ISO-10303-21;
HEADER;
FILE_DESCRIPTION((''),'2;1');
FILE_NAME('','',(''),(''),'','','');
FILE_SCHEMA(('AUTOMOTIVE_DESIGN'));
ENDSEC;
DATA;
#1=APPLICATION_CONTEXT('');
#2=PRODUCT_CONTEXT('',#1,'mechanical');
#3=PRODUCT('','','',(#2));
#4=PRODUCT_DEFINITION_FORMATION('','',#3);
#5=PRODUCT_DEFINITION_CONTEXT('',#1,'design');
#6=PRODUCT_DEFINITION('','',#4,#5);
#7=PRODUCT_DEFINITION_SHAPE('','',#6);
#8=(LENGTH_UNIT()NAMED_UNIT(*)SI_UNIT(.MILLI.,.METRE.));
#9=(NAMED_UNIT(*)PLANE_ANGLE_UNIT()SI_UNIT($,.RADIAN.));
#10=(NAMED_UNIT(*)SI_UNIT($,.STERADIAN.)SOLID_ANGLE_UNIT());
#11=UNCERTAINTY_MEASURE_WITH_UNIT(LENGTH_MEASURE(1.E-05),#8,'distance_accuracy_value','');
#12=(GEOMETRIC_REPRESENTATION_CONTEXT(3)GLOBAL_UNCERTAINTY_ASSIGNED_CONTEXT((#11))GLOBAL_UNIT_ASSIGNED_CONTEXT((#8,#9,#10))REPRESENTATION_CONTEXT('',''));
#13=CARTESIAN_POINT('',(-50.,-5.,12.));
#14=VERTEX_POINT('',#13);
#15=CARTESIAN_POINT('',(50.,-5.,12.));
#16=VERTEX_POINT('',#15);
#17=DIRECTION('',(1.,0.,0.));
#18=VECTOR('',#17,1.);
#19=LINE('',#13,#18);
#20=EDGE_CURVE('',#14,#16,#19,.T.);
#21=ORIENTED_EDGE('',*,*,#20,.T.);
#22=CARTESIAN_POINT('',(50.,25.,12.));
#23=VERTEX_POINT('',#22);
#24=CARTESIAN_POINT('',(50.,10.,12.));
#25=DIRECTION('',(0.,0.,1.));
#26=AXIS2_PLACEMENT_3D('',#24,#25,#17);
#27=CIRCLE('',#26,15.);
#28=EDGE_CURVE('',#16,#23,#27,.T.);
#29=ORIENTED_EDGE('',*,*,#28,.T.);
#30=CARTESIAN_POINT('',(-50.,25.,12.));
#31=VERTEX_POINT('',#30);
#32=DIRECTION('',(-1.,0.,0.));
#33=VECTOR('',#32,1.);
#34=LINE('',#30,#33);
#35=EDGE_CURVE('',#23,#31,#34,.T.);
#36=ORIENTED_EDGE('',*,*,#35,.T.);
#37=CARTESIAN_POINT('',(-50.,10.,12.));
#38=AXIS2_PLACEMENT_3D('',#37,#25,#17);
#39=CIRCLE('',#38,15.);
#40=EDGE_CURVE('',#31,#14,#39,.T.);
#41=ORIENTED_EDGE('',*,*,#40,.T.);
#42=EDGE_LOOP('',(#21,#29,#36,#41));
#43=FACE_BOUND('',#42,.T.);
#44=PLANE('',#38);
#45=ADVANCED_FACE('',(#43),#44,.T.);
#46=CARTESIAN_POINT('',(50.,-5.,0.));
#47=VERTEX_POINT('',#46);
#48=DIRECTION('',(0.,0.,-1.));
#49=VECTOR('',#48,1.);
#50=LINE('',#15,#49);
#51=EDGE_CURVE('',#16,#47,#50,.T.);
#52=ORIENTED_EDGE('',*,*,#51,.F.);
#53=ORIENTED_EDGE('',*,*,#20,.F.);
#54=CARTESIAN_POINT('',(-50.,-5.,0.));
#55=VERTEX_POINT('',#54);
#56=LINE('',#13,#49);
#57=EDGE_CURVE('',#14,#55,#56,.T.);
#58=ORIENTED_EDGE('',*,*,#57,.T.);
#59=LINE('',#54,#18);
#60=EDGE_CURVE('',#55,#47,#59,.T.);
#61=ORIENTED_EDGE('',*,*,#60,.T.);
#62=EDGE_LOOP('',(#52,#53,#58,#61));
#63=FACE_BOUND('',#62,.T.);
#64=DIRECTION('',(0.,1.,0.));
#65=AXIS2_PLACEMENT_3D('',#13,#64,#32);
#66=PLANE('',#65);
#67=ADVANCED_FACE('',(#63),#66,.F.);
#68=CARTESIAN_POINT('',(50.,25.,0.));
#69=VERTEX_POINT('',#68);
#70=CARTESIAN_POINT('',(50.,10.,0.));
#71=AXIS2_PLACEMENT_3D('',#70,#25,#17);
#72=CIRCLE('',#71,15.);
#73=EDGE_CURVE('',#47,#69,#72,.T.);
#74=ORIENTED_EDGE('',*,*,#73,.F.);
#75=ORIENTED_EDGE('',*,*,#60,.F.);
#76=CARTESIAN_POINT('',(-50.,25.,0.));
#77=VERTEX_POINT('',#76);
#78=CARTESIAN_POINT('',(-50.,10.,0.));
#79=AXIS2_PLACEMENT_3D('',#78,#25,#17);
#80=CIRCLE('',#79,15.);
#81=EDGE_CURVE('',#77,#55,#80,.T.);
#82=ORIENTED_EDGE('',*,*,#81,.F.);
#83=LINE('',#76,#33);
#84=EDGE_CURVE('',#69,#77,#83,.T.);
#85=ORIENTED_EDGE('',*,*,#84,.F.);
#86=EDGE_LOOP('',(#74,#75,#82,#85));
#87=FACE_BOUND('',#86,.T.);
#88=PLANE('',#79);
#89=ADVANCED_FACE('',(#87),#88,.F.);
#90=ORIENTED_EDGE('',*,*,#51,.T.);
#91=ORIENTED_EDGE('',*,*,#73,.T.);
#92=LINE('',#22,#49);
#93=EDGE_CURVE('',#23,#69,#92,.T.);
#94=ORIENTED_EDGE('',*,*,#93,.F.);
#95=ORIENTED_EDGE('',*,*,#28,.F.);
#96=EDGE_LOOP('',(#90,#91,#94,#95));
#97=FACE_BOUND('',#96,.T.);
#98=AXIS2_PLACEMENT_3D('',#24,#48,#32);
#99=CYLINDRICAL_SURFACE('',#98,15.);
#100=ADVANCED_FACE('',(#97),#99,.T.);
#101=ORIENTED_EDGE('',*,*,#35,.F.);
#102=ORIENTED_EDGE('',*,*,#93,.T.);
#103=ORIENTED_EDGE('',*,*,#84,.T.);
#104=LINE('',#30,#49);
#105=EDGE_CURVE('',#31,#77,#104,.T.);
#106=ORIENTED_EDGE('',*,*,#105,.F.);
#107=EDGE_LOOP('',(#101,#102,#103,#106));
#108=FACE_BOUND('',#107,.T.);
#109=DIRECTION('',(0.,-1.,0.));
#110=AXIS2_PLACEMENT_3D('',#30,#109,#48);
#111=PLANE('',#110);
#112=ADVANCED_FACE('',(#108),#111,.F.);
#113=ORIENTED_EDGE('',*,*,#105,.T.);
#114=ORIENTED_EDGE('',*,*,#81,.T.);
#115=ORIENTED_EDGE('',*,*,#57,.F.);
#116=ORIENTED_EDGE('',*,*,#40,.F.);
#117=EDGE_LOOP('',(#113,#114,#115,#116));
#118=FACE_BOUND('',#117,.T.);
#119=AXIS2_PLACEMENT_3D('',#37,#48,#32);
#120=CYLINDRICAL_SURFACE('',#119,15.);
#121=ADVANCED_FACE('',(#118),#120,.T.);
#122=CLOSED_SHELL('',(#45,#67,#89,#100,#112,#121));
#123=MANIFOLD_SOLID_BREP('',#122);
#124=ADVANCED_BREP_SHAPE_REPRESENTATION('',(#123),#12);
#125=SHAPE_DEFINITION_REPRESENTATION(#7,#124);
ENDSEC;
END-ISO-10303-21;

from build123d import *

# Parameters (mm, degrees)
EXTRUDE_1_DEPTH = 12


with BuildPart() as part:
    # 草图1 → 凸台-拉伸1 (new body)
    with BuildSketch(Plane.XY):
        with BuildLine():
            Line((-50, 25), (50, 25))
            ThreePointArc((50, 25), (65, 10), (50, -5))
            Line((50, -5), (-50, -5))
            ThreePointArc((-50, -5), (-65, 10), (-50, 25))
        make_face()
    extrude(amount=EXTRUDE_1_DEPTH)


solid = part.part
